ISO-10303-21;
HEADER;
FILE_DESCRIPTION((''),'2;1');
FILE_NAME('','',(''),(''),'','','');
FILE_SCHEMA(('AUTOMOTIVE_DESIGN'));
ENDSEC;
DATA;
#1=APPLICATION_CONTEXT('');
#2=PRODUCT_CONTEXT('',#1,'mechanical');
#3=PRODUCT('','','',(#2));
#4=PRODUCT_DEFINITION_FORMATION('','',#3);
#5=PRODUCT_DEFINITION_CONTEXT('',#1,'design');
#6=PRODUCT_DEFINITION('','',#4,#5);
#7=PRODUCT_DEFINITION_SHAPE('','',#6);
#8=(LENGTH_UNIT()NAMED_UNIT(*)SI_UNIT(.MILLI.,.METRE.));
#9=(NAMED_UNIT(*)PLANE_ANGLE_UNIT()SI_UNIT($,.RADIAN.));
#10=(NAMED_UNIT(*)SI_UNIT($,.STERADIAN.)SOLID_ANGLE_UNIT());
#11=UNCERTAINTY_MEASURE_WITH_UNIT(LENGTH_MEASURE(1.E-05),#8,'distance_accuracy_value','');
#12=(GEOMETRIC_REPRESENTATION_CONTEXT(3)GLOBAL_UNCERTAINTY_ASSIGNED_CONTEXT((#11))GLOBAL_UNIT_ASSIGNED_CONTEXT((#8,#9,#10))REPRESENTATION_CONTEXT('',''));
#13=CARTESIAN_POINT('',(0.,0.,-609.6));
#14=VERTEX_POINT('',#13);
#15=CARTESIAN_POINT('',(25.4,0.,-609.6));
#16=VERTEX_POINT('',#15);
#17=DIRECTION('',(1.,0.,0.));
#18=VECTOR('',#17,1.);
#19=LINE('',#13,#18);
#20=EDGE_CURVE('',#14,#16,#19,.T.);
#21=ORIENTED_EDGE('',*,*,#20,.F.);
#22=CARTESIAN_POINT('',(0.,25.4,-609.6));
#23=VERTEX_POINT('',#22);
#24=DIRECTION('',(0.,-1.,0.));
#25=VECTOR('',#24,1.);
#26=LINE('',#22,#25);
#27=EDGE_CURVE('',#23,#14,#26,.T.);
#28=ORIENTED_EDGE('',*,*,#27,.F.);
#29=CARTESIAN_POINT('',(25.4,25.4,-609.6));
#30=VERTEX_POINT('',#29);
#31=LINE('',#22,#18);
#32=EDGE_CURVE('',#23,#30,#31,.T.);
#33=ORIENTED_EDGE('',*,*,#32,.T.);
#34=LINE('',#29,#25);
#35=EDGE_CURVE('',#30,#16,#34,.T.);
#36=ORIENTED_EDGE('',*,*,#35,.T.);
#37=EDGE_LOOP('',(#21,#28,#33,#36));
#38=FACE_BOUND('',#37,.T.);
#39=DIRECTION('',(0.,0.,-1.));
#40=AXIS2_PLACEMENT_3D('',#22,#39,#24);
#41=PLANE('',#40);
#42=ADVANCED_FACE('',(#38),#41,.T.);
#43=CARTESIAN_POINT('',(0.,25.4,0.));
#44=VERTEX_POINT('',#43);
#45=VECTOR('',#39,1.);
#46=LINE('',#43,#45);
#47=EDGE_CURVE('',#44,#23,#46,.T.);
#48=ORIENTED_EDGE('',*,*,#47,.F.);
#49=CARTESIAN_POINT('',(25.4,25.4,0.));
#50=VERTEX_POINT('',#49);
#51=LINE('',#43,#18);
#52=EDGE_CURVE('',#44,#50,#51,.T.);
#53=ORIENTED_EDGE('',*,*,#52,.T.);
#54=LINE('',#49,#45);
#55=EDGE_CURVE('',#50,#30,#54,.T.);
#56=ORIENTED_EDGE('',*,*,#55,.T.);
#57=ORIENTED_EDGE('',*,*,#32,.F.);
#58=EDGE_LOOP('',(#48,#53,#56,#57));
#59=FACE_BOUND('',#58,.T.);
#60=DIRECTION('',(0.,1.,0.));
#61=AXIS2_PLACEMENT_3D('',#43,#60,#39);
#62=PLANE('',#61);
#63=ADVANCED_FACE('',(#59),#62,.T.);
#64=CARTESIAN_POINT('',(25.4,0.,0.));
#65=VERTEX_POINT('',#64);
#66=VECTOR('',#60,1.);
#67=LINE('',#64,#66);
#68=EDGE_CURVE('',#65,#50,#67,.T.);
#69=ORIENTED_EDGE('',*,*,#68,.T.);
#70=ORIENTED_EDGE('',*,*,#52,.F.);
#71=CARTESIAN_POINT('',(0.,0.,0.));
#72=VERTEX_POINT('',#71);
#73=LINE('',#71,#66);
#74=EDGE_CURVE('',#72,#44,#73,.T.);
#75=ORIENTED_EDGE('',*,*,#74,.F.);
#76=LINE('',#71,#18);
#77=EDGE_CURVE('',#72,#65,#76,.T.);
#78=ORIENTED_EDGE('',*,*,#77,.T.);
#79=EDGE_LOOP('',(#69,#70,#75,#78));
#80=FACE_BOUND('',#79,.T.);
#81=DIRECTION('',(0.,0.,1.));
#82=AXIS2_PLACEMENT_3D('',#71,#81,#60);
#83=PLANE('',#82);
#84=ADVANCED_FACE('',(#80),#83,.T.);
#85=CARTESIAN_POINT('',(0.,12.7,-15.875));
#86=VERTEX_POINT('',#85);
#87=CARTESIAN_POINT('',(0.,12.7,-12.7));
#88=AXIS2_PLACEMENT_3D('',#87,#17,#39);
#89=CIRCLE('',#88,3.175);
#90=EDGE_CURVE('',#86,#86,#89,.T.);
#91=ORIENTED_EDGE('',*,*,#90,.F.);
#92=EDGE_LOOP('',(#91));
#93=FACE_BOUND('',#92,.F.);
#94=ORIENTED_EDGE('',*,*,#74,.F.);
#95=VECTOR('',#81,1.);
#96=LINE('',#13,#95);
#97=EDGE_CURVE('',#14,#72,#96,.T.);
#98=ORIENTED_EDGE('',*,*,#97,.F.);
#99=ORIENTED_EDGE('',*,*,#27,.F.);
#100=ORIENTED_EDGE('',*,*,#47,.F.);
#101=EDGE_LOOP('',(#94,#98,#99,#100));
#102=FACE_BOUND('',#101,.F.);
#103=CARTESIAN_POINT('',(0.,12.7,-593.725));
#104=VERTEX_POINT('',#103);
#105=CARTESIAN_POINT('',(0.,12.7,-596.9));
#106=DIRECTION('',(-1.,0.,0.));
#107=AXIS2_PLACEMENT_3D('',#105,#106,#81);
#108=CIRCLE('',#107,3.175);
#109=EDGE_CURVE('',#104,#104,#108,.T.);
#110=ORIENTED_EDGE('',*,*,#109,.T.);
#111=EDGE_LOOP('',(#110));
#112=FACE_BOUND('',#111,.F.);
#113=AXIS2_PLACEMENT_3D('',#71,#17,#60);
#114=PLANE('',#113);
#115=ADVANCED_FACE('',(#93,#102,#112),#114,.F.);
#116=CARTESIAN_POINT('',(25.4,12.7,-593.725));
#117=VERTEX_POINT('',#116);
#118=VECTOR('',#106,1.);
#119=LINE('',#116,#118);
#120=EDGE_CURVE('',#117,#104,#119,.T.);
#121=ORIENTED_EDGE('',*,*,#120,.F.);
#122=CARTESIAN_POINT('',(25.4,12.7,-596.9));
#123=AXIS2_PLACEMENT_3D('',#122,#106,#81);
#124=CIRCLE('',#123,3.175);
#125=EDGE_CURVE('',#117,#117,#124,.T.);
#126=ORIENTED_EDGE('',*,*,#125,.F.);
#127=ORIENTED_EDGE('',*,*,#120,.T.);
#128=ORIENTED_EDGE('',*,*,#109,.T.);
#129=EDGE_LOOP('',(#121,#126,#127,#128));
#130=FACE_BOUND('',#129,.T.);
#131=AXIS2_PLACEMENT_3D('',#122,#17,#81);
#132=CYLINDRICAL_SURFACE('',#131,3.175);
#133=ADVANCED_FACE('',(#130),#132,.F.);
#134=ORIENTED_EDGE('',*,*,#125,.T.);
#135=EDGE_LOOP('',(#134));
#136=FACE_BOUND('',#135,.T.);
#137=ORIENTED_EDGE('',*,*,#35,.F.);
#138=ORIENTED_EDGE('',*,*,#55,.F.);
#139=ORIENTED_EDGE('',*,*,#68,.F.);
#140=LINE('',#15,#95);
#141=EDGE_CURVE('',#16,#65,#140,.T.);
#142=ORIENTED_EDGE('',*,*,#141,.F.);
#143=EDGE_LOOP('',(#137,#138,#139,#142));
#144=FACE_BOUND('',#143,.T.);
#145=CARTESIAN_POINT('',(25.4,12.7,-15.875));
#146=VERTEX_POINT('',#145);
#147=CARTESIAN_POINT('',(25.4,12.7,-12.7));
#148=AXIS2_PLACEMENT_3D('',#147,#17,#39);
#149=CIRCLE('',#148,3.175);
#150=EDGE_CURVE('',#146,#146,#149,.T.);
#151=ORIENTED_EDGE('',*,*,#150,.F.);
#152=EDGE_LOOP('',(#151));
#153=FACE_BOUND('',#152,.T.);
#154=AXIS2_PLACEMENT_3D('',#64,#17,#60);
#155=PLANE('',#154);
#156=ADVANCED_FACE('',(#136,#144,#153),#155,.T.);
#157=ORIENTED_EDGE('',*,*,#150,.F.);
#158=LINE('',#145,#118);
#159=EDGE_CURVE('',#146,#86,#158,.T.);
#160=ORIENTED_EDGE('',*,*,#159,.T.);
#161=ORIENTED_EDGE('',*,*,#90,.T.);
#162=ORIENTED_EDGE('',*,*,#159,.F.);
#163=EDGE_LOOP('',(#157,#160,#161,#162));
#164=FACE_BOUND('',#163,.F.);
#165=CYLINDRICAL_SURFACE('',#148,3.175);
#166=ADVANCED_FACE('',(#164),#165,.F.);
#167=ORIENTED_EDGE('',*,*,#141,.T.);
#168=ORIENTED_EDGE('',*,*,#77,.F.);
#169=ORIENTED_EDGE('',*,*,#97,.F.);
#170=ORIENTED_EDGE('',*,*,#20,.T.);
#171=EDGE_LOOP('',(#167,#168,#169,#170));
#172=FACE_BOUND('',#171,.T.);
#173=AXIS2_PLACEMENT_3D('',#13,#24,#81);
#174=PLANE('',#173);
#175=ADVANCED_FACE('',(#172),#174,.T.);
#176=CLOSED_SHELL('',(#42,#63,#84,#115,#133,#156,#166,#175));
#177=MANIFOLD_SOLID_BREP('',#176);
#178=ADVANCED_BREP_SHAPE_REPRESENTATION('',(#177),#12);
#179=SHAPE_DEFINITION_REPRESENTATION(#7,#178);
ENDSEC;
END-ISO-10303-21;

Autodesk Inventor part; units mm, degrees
ref_plane "YZ Plane" through (0, 0, 0) normal (1, 0, 0) x (0, 1, 0)
ref_plane "XZ Plane" through (0, 0, 0) normal (0, 1, 0) x (-1, 0, 0)
sketch "Sketch1" plane through (0, 0, 0) normal (1, 0, 0) x (0, 1, 0)
  line L0 (0, 0) -> (25.4, 0)
  line L1 (25.4, 0) -> (25.4, -609.6)
  line L2 (25.4, -609.6) -> (0, -609.6)
  line L3 (0, -609.6) -> (0, 0)
  dimension "d0" = 25.4
  dimension "d1" = 609.6
extrude "Extrusion1" add sketch "Sketch1" along normal blind 25.4
sketch "Sketch3" plane through (25.4, 0, 0) normal (1, 0, 0) x (0, 0, -1)
  circle A0 centre (12.7, 12.7) radius 12.7
  line L0 (609.6, 25.4) -> (0, 25.4) projected
  line L1 (0, 25.4) -> (0, 0) projected
  circle A1 centre (12.7, 12.7) radius 3.175
  dimension "d12" = 25.4
  dimension "d13" = 6.35
extrude "Extrusion3" cut sketch "Sketch3" against normal blind 25.4 contours A1
ref_plane "Work Plane1" through (0, 0, -304.8) normal (0, 0, 1) x (1, 0, 0)
mirror "Mirror1" about plane through (0, 0, -304.8) normal (0, 0, 1) of "Extrusion3"
properties part number "bar"
